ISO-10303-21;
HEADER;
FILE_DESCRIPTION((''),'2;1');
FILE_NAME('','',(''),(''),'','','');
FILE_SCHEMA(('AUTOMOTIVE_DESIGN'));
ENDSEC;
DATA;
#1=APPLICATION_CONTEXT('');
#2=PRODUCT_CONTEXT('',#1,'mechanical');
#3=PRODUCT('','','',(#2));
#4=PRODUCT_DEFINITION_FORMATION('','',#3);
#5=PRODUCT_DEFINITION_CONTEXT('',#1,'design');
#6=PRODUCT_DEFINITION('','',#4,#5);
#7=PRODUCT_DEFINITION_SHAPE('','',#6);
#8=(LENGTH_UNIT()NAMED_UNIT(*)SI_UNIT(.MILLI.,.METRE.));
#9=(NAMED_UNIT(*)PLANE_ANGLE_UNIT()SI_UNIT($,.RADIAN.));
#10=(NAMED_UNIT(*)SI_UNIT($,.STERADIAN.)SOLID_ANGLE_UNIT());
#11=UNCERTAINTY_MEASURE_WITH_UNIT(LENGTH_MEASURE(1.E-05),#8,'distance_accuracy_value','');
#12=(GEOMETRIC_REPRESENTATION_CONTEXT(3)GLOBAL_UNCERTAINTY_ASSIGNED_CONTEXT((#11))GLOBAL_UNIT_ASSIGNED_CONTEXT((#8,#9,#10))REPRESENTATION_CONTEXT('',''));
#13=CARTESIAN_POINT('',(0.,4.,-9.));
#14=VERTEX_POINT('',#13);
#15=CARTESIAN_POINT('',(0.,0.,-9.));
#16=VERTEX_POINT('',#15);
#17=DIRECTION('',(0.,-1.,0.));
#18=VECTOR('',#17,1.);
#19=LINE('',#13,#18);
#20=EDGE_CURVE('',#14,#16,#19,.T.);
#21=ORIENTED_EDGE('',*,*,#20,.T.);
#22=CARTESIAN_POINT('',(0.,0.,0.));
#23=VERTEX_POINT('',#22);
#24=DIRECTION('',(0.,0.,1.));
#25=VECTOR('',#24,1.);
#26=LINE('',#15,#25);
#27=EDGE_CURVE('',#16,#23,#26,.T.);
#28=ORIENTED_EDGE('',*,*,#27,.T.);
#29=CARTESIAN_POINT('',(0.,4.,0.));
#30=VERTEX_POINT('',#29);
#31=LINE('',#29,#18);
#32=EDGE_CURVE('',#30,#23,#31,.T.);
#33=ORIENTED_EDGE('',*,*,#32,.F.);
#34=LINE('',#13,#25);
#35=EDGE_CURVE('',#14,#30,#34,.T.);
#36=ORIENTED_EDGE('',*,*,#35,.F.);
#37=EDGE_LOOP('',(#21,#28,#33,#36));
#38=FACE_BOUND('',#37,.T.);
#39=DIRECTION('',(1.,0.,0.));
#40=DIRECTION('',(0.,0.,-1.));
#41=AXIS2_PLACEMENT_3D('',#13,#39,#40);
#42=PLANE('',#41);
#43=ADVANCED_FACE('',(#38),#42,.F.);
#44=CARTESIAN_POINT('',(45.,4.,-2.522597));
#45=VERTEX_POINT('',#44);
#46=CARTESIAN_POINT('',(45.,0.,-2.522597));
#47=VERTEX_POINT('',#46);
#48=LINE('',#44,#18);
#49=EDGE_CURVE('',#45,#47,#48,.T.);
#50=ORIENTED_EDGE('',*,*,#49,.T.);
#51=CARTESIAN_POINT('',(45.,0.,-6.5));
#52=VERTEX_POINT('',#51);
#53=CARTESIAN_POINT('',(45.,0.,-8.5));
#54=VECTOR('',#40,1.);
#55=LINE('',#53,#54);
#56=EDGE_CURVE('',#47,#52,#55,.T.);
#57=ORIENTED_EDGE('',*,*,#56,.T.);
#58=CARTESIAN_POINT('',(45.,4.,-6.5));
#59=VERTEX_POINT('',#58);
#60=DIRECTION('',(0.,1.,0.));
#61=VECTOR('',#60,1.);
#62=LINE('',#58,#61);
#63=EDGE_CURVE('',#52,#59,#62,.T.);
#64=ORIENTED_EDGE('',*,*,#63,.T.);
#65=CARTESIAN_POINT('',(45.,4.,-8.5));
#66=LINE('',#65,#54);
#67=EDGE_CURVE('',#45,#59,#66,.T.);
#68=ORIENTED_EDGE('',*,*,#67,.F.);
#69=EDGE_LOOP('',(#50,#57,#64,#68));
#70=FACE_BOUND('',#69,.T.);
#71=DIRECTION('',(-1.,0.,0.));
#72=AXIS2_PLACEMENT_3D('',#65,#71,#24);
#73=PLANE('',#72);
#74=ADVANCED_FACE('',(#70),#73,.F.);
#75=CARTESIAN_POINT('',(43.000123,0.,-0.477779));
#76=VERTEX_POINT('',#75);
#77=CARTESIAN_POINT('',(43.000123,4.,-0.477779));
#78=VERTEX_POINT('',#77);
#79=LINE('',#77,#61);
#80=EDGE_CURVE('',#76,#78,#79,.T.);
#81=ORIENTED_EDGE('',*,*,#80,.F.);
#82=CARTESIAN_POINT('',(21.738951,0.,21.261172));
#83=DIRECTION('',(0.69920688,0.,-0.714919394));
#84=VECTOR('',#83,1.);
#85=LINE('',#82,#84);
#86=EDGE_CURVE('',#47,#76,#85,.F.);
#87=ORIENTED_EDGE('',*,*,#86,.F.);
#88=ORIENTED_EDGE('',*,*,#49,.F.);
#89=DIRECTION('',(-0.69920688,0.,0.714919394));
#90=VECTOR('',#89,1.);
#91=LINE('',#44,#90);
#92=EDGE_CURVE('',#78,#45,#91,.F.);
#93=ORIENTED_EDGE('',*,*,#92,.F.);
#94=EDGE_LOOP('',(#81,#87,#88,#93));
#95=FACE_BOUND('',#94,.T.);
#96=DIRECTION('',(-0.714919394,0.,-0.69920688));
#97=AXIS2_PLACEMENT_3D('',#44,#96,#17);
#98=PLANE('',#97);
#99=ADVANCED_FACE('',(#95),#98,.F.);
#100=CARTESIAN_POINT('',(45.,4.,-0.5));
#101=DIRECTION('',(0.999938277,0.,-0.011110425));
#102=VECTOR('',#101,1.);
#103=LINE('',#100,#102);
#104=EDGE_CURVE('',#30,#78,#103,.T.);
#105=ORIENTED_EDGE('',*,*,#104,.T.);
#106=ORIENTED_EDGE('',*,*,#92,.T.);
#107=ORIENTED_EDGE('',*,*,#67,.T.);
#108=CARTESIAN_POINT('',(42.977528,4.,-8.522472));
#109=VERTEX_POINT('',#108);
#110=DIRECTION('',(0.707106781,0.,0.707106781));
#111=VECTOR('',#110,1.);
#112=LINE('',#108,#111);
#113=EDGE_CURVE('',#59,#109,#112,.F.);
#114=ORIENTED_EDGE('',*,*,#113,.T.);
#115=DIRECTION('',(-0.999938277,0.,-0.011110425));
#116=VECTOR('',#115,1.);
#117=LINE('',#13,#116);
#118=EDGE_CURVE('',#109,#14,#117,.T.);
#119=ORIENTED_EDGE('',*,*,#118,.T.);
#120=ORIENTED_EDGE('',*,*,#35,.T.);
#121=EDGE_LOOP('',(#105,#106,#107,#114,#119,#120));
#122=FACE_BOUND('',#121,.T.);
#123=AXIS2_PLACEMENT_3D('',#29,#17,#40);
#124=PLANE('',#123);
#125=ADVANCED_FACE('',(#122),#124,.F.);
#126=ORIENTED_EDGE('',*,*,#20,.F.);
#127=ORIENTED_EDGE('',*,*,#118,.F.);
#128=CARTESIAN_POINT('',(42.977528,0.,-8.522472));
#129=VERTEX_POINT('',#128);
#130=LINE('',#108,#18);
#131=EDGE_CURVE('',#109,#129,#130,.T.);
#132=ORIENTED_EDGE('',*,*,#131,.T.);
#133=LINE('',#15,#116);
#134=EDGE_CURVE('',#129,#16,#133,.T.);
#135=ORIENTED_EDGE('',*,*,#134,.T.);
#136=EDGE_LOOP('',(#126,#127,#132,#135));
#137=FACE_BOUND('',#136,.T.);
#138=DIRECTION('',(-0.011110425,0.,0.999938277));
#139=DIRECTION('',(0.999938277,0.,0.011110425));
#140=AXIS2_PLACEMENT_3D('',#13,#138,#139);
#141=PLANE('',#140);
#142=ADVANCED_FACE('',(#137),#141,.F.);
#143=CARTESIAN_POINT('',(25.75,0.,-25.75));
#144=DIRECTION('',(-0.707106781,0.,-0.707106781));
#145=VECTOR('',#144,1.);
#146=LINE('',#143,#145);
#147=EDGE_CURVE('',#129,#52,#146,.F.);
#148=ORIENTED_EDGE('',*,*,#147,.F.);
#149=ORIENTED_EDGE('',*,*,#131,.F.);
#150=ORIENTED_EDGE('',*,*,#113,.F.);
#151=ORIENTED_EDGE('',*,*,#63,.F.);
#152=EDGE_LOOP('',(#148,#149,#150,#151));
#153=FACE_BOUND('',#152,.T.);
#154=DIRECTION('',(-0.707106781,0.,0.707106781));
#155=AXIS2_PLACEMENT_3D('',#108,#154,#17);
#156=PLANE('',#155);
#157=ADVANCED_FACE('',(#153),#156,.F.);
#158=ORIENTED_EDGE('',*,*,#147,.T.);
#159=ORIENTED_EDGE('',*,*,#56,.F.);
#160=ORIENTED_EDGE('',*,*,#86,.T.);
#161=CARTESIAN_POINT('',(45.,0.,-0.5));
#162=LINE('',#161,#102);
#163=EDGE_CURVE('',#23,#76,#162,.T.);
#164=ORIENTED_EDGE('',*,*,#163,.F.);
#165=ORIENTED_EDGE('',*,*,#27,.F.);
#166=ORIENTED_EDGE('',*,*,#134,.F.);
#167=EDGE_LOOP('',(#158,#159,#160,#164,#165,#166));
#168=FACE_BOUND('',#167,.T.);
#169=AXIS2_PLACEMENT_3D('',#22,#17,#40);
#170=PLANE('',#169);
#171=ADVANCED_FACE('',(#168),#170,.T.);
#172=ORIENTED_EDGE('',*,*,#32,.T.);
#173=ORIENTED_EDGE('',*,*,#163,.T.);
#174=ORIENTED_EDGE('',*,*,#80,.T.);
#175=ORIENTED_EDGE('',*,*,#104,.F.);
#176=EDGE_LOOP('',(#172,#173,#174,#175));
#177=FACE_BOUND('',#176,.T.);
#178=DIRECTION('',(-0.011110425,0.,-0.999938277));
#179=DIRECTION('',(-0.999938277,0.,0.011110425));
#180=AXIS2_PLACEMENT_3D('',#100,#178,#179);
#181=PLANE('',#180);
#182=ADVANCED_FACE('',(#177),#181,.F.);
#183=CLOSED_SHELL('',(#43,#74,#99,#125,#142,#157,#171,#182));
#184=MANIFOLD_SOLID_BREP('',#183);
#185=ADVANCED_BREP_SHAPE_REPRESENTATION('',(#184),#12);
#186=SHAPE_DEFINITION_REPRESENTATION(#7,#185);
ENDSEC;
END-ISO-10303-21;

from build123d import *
from OCP.BRepFilletAPI import BRepFilletAPI_MakeChamfer

# Parameters (mm, degrees)
BOSS_EXTRUDE1_DEPTH = 4
CHAMFER2_SIZE       = 2
CHAMFER2_SIZE2      = 2.02259675


with BuildPart() as part:
    # Sketch2 → Boss-Extrude1 (new body)
    with BuildSketch(Plane(origin=(0, 0, 0), x_dir=(1, 0, 0), z_dir=(0, 1, 0))):
        Polygon((0, 9), (45, 8.5), (45, 0.5), (0, 0), align=None)
    extrude(amount=BOSS_EXTRUDE1_DEPTH)

    # Chamfer2: one chamfer whose edges measure the first distance from different faces: ONE call of the kernel's chamfer builder (chamfer() names one face for all edges)
    chamfer2_edges_1 = [part.edges().sort_by_distance(p)[0] for p in [
        (45, 2, -8.5),
    ]]
    chamfer2_side_1 = [part.faces().sort_by_distance(p)[0] for p in [
        (45, 2, -4.5),
    ]]
    chamfer2_edges_2 = [part.edges().sort_by_distance(p)[0] for p in [
        (45, 2, -0.5),
    ]]
    chamfer2_side_2 = [part.faces().sort_by_distance(p)[0] for p in [
        (22.5, 2, -0.25),
    ]]
    chamfer2 = BRepFilletAPI_MakeChamfer(part.part.solid().wrapped)
    for e in chamfer2_edges_1:
        chamfer2.Add(CHAMFER2_SIZE, CHAMFER2_SIZE2, e.wrapped, chamfer2_side_1[0].wrapped)  # the first distance lies on this face
    for e in chamfer2_edges_2:
        chamfer2.Add(CHAMFER2_SIZE, CHAMFER2_SIZE2, e.wrapped, chamfer2_side_2[0].wrapped)  # the first distance lies on this face
    add(Compound.cast(chamfer2.Shape()), mode=Mode.REPLACE)


solid = part.part
